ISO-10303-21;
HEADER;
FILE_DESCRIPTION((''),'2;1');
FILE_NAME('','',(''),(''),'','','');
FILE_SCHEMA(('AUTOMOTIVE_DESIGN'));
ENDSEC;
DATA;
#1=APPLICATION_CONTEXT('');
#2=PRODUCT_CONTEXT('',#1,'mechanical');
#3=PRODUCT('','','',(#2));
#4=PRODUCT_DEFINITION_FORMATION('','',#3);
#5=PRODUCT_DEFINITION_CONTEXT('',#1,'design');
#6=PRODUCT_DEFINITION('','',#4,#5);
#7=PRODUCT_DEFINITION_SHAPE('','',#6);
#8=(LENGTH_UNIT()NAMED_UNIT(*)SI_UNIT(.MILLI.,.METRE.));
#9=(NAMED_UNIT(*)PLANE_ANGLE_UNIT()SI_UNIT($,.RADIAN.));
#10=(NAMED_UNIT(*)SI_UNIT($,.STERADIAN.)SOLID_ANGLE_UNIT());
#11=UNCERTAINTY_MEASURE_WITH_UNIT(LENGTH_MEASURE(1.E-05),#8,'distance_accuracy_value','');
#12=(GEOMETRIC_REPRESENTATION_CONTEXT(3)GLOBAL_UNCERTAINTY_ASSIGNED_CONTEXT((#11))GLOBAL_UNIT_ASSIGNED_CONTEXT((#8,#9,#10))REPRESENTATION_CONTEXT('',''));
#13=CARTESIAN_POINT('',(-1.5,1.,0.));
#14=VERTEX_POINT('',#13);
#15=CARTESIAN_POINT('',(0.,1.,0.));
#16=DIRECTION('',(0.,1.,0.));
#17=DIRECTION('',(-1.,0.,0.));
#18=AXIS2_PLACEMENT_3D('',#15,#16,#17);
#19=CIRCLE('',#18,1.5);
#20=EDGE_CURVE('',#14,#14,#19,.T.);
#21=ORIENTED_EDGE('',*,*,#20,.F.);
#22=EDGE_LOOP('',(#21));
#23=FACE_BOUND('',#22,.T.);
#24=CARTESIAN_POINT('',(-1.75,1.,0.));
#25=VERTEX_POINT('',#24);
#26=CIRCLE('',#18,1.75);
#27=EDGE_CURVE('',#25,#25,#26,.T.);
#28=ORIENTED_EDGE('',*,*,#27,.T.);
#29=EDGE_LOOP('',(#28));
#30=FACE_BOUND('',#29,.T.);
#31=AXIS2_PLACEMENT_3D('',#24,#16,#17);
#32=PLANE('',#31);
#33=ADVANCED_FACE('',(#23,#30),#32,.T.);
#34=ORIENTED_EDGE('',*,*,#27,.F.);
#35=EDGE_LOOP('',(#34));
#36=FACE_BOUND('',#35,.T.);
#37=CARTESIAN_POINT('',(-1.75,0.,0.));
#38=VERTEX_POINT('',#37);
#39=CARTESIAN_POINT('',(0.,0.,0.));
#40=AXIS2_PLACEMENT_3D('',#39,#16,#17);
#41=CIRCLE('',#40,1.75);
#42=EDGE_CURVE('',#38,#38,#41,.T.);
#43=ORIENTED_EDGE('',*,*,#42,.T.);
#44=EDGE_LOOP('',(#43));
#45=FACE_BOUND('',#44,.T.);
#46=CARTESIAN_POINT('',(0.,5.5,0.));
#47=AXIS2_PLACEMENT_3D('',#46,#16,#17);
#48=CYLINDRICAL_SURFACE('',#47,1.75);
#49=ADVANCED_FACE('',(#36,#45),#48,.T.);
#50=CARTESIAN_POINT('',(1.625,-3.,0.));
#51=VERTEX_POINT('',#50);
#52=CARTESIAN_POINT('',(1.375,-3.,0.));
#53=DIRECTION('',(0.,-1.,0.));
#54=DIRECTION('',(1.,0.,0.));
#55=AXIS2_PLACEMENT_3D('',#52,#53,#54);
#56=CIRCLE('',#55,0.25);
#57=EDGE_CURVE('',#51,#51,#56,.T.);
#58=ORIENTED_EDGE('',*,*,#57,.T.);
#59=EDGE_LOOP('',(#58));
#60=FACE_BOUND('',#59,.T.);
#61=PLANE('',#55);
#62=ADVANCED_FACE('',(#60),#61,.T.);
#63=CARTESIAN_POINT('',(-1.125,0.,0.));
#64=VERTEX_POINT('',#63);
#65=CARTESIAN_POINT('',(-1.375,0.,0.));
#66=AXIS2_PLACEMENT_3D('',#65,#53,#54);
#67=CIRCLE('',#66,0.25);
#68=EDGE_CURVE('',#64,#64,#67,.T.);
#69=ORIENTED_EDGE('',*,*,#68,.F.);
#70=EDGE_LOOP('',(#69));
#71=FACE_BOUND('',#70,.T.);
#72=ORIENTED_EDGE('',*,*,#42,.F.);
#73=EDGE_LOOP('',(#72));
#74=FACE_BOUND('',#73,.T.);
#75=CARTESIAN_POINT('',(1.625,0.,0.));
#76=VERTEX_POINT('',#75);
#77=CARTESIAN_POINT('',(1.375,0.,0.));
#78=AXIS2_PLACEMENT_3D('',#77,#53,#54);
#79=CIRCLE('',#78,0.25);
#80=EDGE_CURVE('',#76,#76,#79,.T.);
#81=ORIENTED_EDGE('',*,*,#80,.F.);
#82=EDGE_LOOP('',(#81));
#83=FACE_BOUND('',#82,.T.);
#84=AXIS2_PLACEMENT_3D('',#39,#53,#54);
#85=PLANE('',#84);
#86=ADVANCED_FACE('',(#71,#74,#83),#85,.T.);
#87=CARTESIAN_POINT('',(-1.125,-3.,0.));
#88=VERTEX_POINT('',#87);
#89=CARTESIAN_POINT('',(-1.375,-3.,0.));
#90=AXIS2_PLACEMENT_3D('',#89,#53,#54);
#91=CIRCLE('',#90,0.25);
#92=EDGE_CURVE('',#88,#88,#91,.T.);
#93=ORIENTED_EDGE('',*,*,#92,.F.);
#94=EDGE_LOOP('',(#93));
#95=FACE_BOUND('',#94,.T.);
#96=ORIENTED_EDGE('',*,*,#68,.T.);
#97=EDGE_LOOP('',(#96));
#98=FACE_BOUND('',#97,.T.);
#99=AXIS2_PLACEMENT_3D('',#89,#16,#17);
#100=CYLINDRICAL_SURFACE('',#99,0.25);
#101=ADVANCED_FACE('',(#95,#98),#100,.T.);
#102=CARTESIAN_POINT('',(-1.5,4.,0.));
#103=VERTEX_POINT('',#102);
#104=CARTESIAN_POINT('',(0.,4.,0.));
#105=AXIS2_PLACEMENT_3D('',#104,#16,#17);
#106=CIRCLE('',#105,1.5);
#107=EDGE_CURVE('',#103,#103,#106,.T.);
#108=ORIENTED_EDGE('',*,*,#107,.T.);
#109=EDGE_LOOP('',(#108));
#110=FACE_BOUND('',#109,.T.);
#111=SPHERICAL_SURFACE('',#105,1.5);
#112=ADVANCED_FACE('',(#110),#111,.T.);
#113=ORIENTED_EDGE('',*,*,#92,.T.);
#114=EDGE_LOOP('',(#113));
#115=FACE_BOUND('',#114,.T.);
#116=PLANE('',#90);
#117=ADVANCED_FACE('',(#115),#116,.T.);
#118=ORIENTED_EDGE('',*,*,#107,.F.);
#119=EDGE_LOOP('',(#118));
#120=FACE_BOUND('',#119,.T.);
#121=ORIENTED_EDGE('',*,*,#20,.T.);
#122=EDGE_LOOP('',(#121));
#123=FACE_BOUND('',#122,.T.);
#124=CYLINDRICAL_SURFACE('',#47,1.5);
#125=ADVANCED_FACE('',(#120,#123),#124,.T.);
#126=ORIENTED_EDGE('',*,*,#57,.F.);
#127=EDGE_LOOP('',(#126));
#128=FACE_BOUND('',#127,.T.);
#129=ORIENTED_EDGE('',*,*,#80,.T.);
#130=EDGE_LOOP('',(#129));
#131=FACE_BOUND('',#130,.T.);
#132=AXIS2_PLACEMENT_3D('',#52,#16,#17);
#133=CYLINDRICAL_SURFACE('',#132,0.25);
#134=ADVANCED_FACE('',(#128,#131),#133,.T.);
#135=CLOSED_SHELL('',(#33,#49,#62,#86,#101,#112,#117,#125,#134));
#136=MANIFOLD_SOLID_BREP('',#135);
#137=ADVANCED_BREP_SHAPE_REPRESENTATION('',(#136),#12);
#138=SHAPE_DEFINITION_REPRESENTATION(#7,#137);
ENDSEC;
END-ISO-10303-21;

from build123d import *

# Parameters (mm, degrees)
SKETCH2_R           = 0.25
BOSS_EXTRUDE1_DEPTH = 3


with BuildPart() as part:
    # Sketch1 → Revolve1 (revolve)
    with BuildSketch(Plane.XY):
        with BuildLine():
            Line((0, 0), (-1.75, 0))
            Line((-1.75, 0), (-1.75, 1))
            Line((-1.75, 1), (-1.5, 1))
            Line((-1.5, 1), (-1.5, 4))
            ThreePointArc((-1.5, 4), (-1.060660172, 5.060660172), (0, 5.5))
            Line((0, 5.5), (0, 0))
        make_face()
    revolve(axis=Axis((0, 5.5, 0), (0, -1, 0)))

    # Sketch2 → Boss-Extrude1 (add)
    with BuildSketch(Plane.XZ):
        with Locations((-1.375, 0)):
            Circle(SKETCH2_R)
        with Locations((1.375, 0)):
            Circle(SKETCH2_R)
    extrude(amount=BOSS_EXTRUDE1_DEPTH)


solid = part.part
